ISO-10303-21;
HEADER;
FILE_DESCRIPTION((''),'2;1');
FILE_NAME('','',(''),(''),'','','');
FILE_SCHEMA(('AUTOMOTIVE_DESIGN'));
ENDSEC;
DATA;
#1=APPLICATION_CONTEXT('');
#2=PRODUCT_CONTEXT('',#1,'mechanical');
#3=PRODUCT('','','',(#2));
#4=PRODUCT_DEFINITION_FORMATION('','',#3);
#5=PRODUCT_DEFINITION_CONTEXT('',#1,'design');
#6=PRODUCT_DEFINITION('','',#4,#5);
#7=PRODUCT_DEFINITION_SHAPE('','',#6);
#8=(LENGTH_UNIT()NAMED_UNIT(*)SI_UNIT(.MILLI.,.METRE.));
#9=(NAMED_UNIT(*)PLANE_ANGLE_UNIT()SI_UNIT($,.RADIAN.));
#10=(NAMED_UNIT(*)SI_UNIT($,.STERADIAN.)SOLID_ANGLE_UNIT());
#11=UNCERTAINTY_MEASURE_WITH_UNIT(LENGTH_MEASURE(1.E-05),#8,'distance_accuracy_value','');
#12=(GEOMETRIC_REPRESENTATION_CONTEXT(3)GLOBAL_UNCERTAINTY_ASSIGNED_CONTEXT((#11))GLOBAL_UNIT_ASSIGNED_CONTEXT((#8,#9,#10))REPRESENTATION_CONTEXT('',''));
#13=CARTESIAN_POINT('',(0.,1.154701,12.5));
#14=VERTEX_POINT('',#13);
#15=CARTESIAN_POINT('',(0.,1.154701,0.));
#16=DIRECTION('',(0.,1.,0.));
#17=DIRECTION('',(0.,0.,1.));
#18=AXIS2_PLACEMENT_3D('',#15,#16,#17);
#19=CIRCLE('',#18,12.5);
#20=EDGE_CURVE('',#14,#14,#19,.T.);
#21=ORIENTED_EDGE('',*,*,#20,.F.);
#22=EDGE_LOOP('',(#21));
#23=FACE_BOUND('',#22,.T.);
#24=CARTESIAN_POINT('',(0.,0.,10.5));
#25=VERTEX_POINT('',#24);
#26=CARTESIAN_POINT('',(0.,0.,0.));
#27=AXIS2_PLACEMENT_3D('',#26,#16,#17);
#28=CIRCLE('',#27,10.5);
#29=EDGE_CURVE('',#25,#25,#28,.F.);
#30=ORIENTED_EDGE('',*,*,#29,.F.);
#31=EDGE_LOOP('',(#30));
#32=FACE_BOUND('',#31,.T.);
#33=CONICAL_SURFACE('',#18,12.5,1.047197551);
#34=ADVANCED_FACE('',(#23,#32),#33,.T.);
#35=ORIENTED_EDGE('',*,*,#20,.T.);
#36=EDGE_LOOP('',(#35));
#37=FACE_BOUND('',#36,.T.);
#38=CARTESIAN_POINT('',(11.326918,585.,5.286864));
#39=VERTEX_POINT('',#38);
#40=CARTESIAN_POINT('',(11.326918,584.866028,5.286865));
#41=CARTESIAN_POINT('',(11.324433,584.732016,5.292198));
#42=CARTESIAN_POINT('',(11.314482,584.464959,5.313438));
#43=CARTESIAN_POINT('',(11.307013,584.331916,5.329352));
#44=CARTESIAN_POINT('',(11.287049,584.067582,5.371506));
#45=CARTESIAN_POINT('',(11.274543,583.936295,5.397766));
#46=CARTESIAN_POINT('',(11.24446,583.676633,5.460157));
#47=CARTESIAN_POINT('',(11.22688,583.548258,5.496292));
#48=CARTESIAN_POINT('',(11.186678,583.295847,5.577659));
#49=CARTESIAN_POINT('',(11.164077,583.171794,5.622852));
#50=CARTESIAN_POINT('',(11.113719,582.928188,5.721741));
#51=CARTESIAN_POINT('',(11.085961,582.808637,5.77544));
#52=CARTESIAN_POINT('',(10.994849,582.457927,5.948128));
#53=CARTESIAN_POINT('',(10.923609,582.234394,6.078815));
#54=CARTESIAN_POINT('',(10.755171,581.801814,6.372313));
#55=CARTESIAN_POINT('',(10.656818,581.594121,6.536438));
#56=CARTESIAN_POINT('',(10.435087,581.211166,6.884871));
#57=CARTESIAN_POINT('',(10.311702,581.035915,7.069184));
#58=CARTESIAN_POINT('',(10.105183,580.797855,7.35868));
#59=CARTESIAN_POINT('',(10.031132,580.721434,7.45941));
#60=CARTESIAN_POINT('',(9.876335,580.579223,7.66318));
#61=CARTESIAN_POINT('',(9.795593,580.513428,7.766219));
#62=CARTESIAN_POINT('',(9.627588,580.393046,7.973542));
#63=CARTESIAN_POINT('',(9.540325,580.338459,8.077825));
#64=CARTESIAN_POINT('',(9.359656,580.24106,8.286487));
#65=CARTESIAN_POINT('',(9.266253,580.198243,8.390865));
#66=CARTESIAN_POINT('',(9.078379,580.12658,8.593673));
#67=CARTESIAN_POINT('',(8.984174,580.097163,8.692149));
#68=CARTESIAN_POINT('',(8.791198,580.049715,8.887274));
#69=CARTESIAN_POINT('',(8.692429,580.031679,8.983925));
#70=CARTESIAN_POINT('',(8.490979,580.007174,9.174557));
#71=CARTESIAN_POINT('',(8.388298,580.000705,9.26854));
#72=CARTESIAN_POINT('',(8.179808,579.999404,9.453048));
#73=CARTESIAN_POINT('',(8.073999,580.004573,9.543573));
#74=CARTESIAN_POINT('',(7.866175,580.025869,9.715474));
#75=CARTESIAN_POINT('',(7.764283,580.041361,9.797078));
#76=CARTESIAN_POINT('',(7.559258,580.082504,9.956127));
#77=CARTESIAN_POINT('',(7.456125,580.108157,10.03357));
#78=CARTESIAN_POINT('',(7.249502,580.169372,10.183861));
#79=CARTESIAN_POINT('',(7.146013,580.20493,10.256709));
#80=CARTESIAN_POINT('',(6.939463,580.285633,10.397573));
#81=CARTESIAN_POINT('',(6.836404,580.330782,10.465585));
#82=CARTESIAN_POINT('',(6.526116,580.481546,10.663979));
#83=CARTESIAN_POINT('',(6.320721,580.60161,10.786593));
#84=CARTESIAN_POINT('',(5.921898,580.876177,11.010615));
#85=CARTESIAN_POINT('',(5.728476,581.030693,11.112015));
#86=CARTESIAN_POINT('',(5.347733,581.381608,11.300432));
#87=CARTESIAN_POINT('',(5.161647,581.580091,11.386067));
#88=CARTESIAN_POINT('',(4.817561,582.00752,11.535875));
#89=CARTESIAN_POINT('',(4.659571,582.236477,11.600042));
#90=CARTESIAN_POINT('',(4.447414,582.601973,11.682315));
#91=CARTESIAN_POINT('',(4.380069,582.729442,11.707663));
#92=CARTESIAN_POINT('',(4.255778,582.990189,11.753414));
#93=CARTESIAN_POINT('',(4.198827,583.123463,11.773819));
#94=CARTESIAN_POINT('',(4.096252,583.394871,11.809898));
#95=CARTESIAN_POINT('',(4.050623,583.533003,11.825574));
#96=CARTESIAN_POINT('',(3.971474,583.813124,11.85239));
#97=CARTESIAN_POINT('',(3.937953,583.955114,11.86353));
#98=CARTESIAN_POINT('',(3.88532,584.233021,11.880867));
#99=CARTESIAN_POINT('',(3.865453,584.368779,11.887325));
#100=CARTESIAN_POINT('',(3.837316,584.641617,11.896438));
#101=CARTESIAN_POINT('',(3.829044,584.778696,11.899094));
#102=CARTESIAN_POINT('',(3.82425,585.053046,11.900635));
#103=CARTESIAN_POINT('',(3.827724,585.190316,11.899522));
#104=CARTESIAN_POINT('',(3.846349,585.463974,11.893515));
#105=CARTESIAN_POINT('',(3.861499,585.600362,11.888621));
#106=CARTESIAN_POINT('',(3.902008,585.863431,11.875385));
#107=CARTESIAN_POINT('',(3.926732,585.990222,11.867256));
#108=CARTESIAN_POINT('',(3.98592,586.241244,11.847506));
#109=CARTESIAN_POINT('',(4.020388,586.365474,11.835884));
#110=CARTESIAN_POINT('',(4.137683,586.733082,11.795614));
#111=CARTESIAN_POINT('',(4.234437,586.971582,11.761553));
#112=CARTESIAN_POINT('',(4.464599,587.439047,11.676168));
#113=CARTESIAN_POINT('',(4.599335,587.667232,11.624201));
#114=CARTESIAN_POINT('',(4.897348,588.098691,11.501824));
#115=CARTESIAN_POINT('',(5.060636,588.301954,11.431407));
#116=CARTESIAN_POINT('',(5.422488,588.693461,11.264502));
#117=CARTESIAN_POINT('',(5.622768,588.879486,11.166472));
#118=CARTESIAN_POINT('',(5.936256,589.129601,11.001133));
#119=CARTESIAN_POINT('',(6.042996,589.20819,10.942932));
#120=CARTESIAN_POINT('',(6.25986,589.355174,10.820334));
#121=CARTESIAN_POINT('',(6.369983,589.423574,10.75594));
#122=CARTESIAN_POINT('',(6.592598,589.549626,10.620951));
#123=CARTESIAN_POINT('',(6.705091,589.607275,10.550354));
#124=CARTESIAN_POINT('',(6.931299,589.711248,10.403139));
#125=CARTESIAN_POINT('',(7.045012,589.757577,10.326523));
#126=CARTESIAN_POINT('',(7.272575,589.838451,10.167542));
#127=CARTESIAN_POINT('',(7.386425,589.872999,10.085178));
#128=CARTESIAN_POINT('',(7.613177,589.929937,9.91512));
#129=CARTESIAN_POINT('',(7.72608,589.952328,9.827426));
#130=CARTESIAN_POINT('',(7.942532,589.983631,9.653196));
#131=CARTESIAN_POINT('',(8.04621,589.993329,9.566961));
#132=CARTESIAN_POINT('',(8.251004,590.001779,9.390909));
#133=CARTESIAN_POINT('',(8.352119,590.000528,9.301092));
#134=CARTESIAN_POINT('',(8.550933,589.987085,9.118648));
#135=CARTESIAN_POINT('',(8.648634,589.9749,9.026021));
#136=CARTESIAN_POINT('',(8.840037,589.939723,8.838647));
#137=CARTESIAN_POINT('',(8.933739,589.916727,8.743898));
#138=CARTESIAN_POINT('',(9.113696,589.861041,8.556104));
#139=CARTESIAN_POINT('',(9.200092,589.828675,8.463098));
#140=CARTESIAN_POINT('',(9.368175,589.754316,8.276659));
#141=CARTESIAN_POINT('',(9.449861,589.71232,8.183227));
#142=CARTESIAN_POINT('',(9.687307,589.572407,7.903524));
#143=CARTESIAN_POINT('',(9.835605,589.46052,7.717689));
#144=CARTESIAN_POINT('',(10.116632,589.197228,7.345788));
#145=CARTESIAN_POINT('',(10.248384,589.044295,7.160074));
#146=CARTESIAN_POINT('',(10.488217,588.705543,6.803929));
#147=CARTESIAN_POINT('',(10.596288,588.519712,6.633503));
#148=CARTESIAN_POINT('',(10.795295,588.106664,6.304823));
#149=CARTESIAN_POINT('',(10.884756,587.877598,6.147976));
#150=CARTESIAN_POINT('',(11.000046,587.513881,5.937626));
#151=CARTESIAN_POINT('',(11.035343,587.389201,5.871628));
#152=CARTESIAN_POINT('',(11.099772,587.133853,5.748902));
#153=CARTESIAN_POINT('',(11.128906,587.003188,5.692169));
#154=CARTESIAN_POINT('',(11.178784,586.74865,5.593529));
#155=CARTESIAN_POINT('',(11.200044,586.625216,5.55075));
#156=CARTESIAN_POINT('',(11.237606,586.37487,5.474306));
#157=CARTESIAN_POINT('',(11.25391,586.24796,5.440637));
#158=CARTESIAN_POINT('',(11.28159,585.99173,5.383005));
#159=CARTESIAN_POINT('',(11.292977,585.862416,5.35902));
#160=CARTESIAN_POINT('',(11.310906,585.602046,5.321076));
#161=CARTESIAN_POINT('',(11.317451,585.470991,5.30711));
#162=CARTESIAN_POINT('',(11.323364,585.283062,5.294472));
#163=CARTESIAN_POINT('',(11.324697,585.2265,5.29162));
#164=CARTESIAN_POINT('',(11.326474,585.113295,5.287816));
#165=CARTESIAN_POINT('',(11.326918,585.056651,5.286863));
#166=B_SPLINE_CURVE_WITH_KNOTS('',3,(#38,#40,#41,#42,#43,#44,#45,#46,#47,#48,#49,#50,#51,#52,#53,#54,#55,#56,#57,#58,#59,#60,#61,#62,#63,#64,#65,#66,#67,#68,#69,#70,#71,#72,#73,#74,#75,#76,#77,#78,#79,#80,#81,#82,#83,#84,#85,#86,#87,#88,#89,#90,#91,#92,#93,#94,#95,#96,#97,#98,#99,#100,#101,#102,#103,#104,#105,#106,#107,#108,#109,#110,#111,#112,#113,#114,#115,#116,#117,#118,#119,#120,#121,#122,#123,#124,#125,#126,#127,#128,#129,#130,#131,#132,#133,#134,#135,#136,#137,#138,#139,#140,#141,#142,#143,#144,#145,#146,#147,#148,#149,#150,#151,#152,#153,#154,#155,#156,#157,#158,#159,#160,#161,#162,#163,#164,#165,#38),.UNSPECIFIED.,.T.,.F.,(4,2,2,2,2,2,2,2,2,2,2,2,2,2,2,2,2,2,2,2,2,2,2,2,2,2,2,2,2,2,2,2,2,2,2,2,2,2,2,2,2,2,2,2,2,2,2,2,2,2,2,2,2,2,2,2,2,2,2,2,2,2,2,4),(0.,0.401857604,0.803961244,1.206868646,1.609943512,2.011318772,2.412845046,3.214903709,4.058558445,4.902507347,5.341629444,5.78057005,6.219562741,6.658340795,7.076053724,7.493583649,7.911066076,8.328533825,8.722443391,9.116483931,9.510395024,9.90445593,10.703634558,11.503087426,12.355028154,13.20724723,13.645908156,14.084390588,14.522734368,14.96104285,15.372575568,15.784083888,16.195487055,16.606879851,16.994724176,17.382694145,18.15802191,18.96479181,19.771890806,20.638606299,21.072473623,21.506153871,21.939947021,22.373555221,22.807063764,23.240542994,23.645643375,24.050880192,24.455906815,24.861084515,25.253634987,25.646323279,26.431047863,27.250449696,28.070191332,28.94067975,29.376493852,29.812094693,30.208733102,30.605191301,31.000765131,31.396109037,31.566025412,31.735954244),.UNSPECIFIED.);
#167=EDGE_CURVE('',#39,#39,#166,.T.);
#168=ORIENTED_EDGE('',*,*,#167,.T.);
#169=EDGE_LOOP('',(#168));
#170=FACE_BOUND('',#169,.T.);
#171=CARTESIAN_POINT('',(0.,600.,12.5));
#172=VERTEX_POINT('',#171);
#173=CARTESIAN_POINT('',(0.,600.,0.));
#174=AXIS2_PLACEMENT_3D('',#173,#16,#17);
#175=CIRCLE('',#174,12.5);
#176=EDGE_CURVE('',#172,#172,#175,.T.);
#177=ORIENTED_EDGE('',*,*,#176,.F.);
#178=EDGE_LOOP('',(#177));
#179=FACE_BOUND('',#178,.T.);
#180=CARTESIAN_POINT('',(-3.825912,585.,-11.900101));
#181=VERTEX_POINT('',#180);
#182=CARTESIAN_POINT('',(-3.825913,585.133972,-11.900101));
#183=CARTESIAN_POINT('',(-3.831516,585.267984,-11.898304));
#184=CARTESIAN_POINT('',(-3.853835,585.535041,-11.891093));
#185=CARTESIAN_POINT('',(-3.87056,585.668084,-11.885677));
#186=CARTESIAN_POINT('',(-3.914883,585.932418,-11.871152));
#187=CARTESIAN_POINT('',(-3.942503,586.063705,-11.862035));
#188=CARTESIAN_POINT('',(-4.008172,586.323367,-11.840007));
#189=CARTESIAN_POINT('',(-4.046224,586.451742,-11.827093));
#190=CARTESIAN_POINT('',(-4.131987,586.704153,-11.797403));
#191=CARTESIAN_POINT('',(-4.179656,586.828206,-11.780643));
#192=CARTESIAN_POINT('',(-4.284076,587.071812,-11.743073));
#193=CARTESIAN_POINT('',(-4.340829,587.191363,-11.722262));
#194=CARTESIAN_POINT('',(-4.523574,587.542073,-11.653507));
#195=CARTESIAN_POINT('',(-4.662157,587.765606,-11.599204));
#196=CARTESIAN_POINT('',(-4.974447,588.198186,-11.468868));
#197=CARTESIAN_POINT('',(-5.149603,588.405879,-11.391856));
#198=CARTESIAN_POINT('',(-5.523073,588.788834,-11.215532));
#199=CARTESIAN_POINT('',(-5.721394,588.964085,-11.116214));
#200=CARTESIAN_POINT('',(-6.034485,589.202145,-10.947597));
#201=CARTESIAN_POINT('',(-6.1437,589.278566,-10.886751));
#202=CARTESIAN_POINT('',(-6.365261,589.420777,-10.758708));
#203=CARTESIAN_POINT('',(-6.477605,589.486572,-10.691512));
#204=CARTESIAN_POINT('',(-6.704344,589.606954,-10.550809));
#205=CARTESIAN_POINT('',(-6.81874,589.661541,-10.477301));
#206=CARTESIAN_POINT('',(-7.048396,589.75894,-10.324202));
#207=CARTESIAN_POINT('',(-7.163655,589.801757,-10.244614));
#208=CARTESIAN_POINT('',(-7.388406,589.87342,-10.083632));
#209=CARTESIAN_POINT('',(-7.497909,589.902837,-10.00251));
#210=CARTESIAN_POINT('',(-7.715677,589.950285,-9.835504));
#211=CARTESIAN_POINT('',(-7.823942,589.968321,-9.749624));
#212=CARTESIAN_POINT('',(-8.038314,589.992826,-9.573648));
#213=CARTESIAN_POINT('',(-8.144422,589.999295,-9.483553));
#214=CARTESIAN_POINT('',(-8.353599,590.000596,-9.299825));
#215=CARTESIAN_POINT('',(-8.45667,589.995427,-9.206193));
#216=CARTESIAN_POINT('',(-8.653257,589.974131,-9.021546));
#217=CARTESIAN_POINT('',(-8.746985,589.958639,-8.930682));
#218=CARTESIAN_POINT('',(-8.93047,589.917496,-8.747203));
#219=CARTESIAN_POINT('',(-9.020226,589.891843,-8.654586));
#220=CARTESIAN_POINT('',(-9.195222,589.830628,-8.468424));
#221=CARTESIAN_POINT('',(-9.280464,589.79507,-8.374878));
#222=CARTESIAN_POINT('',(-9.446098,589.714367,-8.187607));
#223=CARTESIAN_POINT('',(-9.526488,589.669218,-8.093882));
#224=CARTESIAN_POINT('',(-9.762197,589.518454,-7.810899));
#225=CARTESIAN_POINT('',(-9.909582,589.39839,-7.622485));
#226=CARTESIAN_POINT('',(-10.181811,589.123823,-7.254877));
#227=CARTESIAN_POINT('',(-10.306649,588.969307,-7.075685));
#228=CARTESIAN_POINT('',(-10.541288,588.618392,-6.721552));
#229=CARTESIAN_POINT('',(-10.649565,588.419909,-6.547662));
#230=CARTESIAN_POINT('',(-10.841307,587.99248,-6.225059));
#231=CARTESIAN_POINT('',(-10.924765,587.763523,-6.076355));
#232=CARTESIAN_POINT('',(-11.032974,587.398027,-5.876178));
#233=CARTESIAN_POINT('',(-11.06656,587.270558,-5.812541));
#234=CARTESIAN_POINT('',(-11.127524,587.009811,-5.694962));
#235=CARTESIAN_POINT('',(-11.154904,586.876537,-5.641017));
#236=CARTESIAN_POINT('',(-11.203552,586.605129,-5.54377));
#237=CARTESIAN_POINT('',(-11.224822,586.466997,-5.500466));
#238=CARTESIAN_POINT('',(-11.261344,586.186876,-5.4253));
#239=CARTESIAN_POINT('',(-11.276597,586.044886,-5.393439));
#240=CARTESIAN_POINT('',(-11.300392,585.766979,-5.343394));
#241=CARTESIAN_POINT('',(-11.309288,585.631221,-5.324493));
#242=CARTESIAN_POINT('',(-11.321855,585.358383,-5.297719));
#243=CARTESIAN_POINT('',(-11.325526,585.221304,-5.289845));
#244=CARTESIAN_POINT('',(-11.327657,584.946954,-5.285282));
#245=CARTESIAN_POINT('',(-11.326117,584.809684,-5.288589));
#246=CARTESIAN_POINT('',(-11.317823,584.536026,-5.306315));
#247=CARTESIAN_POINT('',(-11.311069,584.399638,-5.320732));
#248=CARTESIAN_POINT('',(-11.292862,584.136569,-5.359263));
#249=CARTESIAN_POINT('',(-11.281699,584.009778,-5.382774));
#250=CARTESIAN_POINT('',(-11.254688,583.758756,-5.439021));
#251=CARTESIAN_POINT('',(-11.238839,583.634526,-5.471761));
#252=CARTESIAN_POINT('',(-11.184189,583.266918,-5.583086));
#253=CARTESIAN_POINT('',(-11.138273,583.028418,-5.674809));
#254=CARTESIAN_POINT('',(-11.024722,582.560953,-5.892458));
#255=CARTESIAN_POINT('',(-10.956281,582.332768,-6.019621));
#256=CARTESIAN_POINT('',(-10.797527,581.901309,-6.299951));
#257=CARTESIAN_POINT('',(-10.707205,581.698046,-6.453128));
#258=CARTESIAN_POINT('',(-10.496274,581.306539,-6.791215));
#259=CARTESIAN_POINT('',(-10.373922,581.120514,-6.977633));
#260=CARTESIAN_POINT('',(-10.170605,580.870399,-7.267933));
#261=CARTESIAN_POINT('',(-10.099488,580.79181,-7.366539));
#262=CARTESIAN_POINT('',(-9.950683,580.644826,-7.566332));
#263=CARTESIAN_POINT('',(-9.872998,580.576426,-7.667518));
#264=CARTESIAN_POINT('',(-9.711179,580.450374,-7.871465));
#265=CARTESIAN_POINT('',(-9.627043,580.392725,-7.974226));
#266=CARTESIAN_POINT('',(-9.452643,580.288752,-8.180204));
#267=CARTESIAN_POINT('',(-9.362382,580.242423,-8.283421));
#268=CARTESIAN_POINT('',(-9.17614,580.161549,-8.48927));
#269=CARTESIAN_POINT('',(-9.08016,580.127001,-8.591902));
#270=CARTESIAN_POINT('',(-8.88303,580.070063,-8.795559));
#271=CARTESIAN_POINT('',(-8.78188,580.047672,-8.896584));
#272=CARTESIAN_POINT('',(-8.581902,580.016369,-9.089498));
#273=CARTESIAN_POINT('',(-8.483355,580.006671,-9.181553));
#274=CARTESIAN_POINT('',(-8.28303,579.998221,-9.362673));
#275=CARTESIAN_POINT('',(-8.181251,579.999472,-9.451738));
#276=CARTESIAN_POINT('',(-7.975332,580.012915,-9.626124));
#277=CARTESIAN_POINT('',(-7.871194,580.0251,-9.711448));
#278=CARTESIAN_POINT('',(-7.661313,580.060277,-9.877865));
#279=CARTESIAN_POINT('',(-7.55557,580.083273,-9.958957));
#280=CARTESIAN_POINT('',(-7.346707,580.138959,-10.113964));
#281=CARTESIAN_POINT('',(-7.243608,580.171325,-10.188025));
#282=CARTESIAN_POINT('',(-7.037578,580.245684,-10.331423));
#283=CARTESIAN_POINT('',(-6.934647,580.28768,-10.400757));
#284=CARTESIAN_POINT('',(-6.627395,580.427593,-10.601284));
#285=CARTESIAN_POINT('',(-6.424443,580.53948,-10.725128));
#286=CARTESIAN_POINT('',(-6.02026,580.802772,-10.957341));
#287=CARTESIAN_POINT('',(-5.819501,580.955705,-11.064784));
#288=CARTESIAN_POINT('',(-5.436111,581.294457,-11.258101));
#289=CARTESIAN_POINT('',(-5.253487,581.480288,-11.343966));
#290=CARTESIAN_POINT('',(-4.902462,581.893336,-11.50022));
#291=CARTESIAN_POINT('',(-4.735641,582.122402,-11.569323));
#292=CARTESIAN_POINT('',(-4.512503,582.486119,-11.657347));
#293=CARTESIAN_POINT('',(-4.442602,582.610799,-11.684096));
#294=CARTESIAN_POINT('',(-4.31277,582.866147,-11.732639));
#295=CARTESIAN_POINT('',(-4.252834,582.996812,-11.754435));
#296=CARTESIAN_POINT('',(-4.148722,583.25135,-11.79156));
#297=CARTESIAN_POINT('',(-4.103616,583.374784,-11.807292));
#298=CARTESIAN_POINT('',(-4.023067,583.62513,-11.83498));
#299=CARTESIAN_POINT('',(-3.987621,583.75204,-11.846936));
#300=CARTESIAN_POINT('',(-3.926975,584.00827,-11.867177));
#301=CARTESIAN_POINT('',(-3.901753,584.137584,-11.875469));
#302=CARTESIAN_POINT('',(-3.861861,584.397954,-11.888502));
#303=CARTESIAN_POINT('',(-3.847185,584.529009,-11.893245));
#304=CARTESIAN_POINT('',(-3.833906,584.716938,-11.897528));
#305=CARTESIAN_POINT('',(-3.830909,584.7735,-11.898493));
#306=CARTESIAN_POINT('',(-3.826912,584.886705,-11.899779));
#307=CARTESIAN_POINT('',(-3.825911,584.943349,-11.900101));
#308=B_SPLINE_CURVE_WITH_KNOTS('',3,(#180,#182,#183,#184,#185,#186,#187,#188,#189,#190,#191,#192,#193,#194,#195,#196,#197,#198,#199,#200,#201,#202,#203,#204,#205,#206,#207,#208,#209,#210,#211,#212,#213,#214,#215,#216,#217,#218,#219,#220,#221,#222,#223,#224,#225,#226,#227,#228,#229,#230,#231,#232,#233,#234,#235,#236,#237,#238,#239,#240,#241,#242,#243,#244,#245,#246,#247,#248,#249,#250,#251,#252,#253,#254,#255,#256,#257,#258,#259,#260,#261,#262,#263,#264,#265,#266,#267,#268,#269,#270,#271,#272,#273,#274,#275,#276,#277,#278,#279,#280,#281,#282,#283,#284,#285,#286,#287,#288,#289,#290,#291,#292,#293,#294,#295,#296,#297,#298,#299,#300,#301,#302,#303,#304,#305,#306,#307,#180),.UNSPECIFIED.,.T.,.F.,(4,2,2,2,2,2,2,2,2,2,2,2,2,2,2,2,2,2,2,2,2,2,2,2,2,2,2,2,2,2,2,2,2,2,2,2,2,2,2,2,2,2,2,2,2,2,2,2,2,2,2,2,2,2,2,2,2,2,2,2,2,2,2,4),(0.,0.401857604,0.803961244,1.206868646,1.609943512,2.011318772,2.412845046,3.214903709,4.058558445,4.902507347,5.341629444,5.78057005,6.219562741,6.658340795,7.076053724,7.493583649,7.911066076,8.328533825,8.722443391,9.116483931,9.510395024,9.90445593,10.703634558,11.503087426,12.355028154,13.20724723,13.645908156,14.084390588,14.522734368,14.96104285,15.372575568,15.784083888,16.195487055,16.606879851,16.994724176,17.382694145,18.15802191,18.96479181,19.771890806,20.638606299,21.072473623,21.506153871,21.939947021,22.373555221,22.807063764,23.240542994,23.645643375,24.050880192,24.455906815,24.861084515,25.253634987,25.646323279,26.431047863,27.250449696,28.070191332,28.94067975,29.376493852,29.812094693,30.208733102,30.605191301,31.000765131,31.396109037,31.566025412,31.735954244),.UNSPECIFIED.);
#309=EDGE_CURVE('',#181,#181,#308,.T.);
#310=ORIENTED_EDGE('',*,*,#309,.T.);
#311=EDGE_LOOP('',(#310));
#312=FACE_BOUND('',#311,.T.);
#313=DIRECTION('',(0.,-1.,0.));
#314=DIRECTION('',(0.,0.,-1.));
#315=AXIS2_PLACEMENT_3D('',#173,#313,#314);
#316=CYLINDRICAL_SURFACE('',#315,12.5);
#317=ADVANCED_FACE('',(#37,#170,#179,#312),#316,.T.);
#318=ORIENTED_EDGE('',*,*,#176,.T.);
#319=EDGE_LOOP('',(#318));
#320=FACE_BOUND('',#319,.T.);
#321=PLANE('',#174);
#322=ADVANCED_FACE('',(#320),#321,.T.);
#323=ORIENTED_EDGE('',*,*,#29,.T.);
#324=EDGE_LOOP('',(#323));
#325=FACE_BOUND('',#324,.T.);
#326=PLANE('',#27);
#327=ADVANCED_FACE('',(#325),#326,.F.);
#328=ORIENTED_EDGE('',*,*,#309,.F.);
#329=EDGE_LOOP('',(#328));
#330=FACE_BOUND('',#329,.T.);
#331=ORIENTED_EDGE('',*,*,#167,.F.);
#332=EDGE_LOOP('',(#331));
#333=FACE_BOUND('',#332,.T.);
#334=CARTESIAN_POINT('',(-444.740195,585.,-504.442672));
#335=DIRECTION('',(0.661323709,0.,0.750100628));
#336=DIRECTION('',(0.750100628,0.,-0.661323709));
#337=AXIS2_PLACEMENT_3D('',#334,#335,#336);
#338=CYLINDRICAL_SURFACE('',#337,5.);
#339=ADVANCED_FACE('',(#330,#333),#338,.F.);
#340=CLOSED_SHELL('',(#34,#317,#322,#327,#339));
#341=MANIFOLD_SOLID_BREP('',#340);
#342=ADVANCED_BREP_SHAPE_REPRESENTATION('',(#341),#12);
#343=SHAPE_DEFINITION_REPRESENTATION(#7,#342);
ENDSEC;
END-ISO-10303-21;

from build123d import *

# Parameters (mm, degrees)
SKETCH1_R           = 12.5
BOSS_EXTRUDE1_DEPTH = 600
SKETCH5_R           = 5
CUT_EXTRUDE2_DEPTH  = 685
CHAMFER1_SIZE       = 2
CHAMFER1_SIZE2      = 1.154700538


with BuildPart() as part:
    # Sketch1 → Boss-Extrude1 (new body)
    with BuildSketch(Plane(origin=(0, 0, 0), x_dir=(1, 0, 0), z_dir=(0, 1, 0))):
        with Locations(Location((0, 0, 0), (0, 0, 270))):
            Circle(SKETCH1_R)
    extrude(amount=BOSS_EXTRUDE1_DEPTH)

    # Sketch5 → Cut-Extrude2 (cut)
    with BuildSketch(Plane(origin=(8.266546367, 600, 9.376257844), x_dir=(0.7501006275419531, 0, -0.6613237093596208), z_dir=(0.6613237093596208, 0, 0.7501006275419531))):
        with Locations((0, -15)):
            Circle(SKETCH5_R)
    extrude(amount=-CUT_EXTRUDE2_DEPTH, mode=Mode.SUBTRACT)

    # Chamfer1
    chamfer1_edges = [part.edges().sort_by_distance(p)[0] for p in [
        (0, 0, -12.5),
    ]]
    chamfer1_side = [part.faces().sort_by_distance(p)[0] for p in [
        (0, 0, 0),
    ]]
    chamfer(chamfer1_edges, length=CHAMFER1_SIZE, length2=CHAMFER1_SIZE2, reference=chamfer1_side[0])


solid = part.part
